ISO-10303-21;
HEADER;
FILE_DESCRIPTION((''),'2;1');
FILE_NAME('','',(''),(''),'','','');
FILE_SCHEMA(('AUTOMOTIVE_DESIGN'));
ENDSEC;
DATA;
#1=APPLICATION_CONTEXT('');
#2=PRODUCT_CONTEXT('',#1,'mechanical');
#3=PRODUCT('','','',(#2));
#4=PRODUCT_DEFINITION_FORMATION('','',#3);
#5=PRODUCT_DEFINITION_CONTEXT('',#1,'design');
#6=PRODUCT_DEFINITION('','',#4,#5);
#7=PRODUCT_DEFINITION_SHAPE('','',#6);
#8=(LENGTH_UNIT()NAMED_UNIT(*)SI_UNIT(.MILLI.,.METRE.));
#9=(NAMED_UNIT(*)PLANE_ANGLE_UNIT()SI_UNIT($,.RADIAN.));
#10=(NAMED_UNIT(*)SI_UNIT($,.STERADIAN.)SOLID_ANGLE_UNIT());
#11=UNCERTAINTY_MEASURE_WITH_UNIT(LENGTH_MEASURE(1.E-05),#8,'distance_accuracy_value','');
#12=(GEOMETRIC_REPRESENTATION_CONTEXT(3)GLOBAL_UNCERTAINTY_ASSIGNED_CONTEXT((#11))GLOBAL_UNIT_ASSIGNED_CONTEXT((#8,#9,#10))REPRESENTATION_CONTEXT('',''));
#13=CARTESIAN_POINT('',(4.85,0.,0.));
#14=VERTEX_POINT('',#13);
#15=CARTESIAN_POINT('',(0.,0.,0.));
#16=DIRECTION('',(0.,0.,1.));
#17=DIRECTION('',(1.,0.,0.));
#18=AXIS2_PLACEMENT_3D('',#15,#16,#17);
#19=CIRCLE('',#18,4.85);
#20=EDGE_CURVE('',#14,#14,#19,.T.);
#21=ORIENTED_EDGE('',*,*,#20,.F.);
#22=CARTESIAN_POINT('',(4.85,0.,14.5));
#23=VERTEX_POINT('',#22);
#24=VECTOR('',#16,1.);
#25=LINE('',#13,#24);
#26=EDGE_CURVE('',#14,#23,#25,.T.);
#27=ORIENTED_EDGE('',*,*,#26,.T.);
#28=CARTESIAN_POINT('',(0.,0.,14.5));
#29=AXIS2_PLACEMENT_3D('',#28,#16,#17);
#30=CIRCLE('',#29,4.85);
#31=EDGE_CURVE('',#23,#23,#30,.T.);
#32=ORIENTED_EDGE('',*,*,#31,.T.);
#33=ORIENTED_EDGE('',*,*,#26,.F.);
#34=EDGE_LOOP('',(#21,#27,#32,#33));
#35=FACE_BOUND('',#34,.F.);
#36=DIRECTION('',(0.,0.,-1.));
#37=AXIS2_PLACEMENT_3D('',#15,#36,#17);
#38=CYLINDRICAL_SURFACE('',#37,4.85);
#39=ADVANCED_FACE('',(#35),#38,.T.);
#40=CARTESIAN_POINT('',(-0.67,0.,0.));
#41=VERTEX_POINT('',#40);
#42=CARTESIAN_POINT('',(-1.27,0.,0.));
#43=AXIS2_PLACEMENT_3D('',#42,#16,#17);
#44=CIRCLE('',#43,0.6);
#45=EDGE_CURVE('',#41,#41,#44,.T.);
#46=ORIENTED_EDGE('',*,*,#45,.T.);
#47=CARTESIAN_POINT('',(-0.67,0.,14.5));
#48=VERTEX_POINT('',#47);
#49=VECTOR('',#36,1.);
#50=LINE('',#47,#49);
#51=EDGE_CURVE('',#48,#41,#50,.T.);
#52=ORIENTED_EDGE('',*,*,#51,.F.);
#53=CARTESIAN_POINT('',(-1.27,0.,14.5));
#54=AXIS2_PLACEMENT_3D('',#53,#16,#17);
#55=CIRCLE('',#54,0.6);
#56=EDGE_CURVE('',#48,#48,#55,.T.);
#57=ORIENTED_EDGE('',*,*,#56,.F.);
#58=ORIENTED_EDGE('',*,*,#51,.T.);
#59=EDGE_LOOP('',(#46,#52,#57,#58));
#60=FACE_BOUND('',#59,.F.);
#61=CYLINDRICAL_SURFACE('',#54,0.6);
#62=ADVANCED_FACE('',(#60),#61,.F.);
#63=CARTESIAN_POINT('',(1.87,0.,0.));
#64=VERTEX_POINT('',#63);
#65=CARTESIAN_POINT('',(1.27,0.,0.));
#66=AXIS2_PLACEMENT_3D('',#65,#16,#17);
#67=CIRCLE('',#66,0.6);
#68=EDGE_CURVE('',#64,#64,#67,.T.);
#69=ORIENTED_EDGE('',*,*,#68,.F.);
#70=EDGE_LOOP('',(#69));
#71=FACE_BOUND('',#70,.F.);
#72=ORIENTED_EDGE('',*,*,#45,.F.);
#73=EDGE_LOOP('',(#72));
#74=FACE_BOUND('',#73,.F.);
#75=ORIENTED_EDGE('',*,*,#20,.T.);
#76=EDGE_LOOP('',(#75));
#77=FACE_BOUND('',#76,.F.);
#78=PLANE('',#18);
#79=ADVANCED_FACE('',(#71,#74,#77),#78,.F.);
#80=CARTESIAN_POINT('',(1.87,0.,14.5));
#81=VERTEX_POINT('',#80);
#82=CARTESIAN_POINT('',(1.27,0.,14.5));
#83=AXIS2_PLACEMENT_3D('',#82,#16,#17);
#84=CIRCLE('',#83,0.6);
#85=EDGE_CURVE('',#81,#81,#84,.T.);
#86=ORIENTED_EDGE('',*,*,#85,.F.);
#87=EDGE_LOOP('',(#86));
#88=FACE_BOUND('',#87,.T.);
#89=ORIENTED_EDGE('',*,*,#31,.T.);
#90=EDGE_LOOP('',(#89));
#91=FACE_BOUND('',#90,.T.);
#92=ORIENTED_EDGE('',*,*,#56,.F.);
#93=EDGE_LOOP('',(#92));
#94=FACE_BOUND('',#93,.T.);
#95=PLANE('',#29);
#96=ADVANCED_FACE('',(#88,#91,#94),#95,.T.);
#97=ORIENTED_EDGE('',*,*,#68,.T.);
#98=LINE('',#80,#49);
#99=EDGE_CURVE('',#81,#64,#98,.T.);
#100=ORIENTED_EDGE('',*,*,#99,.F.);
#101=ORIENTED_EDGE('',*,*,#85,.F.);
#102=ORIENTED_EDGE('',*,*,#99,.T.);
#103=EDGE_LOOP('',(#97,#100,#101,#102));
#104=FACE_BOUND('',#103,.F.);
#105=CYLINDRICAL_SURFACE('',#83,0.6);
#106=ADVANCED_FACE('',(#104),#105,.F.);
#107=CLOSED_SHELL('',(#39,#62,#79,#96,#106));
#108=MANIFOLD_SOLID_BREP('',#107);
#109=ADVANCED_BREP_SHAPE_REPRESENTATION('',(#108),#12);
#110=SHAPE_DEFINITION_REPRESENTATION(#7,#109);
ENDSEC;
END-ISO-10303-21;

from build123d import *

# Parameters (mm, degrees)
SKETCH_R     = 4.85
PAD_DEPTH    = 14.5
SKETCH001_R  = 0.6
POCKET_DEPTH = 14.501


with BuildPart() as part:
    # Sketch → Pad (new body)
    with BuildSketch(Plane.XY):
        Circle(SKETCH_R)
    extrude(amount=PAD_DEPTH)

    # Sketch001 (on Face3 of Pad) → Pocket (cut, through all)
    with BuildSketch(Plane.XY.offset(14.5)):
        with Locations((-1.27, 0)):
            Circle(SKETCH001_R)
        with Locations((1.27, 0)):
            Circle(SKETCH001_R)
    extrude(amount=-POCKET_DEPTH, mode=Mode.SUBTRACT)


solid = part.part
